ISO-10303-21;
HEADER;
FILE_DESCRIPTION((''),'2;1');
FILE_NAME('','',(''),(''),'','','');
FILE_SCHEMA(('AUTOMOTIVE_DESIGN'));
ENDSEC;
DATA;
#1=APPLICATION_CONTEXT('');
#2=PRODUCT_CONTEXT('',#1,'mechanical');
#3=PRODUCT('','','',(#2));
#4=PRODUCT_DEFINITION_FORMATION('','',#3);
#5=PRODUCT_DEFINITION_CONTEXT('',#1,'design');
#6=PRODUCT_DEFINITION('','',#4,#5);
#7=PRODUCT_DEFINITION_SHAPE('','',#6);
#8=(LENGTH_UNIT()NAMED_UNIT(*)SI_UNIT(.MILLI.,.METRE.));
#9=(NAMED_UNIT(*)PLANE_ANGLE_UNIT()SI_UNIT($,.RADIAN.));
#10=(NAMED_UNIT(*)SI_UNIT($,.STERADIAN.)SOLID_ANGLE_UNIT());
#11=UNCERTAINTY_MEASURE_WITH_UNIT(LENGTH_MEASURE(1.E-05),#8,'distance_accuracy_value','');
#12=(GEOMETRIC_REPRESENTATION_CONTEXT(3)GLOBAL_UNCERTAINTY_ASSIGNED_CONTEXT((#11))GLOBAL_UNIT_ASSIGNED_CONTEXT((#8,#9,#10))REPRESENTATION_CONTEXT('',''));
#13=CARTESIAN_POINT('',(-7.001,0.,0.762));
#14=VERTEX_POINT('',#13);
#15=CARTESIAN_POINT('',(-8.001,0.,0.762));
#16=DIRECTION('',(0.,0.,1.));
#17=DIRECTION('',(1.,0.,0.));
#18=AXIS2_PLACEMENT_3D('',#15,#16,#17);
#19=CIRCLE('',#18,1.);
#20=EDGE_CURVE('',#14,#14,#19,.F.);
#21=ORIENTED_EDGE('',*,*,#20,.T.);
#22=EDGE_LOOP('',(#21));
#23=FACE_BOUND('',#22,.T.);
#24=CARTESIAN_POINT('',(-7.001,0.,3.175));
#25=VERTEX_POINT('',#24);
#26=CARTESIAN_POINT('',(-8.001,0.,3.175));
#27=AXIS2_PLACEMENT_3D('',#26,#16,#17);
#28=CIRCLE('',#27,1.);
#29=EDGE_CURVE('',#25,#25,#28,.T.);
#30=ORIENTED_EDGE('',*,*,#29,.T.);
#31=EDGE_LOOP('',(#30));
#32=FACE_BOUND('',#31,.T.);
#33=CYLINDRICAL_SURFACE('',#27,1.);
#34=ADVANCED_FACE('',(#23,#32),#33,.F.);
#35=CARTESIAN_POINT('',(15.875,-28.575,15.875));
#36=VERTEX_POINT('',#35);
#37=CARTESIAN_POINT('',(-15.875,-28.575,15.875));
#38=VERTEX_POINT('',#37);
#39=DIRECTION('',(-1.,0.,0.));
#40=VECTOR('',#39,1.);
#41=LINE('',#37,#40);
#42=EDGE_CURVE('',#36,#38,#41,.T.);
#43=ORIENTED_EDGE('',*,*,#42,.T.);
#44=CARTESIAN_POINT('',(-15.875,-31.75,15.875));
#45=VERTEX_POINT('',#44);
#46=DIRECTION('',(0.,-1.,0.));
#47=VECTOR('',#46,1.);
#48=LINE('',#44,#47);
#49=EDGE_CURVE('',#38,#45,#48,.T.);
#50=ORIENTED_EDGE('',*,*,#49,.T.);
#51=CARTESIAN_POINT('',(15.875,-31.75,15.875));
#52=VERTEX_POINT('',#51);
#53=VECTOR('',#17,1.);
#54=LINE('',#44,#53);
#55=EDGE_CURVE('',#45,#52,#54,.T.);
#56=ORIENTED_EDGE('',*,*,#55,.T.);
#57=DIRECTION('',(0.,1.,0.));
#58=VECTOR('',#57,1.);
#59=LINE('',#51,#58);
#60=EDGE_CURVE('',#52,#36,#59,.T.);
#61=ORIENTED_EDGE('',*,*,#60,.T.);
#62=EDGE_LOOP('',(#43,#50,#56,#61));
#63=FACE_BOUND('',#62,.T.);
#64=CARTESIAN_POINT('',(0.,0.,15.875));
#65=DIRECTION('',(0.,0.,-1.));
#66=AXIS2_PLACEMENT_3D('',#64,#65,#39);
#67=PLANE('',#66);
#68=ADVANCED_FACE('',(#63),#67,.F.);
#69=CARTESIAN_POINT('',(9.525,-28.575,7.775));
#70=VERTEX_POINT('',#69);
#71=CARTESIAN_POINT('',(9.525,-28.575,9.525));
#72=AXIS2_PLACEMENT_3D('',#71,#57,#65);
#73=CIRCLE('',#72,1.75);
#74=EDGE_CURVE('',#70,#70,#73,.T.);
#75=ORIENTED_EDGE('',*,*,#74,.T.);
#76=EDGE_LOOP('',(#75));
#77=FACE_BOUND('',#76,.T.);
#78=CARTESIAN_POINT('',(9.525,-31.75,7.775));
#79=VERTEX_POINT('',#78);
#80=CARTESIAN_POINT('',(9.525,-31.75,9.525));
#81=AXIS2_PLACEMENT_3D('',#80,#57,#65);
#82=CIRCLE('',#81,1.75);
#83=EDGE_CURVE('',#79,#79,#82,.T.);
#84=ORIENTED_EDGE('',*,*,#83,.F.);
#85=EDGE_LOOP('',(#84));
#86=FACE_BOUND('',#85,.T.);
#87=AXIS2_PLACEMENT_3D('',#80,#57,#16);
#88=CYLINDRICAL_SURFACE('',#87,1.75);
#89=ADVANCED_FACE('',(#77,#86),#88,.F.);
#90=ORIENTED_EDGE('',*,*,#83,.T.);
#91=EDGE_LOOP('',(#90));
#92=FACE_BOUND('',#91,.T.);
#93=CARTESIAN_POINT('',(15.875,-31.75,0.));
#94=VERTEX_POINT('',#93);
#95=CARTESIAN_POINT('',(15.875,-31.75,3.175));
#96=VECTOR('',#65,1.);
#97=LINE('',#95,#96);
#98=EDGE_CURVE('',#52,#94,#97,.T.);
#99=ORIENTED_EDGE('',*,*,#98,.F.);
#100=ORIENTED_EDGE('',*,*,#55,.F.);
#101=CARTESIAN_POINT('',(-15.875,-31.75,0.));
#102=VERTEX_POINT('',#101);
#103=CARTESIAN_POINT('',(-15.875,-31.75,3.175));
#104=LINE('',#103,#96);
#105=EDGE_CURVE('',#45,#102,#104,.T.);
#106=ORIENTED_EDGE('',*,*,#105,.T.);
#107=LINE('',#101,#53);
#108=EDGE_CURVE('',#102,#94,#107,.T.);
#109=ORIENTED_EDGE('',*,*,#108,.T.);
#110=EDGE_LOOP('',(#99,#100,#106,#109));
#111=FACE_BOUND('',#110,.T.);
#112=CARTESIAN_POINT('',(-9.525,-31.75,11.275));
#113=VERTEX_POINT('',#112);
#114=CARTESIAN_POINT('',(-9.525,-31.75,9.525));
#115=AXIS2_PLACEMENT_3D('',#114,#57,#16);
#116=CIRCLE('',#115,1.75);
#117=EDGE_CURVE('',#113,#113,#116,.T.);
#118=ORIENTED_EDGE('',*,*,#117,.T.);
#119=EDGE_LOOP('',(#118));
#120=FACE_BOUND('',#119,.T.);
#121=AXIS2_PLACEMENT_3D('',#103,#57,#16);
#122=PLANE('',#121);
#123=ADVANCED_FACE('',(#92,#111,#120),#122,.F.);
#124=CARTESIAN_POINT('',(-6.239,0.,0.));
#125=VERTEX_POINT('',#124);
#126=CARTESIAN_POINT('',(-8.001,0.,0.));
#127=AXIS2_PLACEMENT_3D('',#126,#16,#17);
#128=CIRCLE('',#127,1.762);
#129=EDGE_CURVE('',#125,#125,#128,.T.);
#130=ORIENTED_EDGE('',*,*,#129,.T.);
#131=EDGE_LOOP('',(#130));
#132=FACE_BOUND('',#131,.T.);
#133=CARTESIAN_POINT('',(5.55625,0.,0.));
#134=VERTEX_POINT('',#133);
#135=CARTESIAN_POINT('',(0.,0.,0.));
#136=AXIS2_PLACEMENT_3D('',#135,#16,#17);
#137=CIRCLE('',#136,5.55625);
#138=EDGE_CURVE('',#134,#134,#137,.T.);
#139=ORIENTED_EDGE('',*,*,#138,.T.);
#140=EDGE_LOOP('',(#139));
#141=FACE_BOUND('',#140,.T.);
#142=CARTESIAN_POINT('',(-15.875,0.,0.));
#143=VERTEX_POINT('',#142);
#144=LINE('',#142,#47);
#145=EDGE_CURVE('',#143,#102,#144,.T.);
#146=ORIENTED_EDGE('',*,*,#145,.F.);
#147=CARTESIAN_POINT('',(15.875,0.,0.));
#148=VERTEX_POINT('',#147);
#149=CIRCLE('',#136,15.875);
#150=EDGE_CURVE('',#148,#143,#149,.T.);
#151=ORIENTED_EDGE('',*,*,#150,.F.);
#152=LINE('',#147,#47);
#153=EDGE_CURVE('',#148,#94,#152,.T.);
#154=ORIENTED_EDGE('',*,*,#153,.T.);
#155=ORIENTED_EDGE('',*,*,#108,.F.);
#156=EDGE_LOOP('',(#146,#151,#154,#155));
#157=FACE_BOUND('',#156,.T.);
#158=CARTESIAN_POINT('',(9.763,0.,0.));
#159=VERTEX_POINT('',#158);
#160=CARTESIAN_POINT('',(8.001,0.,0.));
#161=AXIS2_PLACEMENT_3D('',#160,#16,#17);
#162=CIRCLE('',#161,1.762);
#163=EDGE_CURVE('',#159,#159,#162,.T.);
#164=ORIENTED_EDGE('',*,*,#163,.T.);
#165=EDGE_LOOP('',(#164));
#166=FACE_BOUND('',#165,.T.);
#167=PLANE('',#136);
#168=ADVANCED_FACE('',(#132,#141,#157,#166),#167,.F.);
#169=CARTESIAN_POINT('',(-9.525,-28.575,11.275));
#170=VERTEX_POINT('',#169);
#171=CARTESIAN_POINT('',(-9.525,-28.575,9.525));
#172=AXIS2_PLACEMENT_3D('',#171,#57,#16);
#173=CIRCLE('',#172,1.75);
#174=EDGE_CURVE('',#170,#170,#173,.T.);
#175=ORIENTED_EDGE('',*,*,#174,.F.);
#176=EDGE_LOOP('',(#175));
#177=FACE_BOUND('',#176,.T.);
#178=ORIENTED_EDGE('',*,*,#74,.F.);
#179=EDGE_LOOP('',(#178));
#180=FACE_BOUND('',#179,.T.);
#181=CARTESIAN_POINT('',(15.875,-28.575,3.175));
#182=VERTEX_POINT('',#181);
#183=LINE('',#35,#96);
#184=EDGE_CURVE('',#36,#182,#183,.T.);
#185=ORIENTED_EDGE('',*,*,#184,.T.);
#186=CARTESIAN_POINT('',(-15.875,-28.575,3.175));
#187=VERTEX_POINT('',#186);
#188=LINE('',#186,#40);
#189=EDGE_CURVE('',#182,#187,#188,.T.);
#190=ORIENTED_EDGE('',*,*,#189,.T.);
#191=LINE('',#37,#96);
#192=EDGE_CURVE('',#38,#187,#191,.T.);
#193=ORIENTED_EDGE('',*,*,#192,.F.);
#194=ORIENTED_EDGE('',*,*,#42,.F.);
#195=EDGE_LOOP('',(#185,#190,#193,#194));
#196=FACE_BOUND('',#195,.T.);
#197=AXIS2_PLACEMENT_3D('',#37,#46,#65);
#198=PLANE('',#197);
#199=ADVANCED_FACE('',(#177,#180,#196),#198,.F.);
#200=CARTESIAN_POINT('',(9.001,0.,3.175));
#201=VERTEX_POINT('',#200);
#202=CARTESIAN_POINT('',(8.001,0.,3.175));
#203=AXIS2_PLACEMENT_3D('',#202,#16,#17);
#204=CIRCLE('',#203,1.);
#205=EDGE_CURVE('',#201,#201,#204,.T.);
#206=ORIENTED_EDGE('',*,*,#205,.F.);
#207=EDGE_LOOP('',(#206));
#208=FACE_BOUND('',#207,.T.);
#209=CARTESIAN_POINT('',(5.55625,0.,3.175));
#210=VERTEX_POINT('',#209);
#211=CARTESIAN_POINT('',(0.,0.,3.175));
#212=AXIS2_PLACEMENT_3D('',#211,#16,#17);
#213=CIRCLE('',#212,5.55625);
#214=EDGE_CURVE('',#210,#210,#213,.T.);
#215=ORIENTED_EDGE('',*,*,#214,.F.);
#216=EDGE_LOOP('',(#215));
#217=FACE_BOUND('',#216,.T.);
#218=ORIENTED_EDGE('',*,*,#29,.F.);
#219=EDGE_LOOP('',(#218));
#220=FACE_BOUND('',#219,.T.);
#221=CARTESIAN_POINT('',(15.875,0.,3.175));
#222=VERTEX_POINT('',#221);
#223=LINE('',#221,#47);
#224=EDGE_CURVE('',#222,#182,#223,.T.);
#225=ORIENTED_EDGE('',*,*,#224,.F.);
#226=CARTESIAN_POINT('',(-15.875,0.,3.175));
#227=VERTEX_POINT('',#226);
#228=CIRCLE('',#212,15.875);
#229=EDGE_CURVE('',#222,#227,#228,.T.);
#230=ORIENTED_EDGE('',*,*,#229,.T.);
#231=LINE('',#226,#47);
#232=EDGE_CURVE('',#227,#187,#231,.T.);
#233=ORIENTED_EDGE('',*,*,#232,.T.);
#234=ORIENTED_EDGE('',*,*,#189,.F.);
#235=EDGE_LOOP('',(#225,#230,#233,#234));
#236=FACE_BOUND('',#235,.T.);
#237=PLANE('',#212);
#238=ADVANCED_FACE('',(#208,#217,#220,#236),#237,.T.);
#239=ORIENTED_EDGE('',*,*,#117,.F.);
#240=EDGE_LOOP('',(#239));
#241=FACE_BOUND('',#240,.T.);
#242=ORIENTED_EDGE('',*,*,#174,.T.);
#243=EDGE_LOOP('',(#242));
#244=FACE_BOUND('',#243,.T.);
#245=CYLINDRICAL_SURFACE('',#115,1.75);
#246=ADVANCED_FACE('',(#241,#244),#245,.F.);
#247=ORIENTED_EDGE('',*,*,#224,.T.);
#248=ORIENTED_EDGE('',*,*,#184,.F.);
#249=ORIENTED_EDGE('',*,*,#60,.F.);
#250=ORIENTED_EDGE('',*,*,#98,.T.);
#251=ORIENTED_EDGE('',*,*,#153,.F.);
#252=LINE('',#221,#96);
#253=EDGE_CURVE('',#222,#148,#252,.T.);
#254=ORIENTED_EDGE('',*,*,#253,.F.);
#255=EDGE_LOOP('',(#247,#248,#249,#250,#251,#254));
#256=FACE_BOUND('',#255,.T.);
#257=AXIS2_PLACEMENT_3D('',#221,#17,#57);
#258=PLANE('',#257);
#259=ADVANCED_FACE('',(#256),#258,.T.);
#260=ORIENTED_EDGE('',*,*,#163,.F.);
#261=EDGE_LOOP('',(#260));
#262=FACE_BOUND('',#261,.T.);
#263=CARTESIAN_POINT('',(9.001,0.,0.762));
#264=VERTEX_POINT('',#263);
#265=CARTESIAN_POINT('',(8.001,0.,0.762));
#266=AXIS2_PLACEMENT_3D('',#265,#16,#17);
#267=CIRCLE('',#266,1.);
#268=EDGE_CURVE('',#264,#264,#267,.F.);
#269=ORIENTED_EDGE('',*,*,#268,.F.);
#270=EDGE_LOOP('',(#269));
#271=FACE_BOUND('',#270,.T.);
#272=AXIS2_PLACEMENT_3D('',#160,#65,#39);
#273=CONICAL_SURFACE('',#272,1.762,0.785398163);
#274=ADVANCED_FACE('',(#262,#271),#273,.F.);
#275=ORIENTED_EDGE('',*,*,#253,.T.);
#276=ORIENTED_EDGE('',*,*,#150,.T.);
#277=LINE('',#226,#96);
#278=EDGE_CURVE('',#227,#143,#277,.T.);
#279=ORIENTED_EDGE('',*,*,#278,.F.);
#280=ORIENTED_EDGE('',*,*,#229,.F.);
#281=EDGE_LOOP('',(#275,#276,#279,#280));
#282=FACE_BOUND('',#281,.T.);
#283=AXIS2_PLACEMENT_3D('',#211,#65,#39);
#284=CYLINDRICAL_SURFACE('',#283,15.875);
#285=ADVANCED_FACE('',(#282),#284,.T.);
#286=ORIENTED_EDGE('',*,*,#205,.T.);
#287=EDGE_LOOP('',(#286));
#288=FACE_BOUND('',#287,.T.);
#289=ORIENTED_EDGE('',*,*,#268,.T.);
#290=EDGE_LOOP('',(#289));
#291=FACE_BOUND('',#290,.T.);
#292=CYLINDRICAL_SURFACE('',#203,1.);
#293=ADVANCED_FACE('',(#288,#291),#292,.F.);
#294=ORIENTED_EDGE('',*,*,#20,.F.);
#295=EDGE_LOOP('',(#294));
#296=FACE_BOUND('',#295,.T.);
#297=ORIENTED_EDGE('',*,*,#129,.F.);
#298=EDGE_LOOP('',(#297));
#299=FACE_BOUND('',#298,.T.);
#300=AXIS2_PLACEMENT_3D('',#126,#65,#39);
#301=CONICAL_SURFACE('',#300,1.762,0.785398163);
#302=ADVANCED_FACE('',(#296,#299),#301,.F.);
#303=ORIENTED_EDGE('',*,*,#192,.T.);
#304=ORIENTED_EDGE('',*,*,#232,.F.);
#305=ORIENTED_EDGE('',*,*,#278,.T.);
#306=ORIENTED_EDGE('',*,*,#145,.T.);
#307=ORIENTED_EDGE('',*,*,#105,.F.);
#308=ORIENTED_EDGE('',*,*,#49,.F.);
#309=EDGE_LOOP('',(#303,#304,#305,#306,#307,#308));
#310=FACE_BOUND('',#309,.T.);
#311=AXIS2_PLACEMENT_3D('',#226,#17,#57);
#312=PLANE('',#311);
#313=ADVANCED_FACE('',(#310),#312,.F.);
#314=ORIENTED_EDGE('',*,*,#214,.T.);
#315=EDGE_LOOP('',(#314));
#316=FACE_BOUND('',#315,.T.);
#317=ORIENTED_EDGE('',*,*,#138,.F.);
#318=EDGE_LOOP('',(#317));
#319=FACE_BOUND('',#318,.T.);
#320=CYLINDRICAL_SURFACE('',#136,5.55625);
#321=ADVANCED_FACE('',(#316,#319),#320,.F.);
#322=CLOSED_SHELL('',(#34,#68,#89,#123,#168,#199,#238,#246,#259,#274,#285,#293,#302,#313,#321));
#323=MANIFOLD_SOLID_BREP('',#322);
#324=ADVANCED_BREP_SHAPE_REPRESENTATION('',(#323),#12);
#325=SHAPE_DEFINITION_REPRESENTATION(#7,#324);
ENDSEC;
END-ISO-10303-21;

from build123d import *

# Parameters (mm, degrees)
BOSS_EXTRUDE1_DEPTH       = 3.175
SKETCH3_R                 = 5.55625
CUT_EXTRUDE1_DEPTH        = 36.639286609
SKETCH4_W                 = 31.75
SKETCH4_H                 = 3.175
BOSS_EXTRUDE2_DEPTH       = 12.7
SKETCH5_R                 = 1.75
CUT_EXTRUDE2_DEPTH        = 50.797929174
F_2_0MM_DOWEL_HOLE1_D     = 2
F_2_0MM_DOWEL_HOLE1_DEPTH = 12.7
F_2_0MM_DOWEL_HOLE1_TIP   = 0.600860619
CHAMFER1_SIZE             = 0.762


with BuildPart() as part:
    # Sketch1 → Boss-Extrude1 (new body)
    with BuildSketch(Plane.XY):
        with BuildLine():
            ThreePointArc((15.875, 0), (0, 15.875), (-15.875, 0))
            Line((-15.875, 0), (15.875, 0))
        make_face()
        with BuildLine():
            ThreePointArc((15.875, 0), (0, -15.875), (-15.875, 0))
            Line((-15.875, 0), (-15.875, -31.75))
            Line((-15.875, -31.75), (15.875, -31.75))
            Line((15.875, -31.75), (15.875, 0))
        make_face()
        with BuildLine():
            Line((15.875, 0), (-15.875, 0))
            ThreePointArc((-15.875, 0), (0, -15.875), (15.875, 0))
        make_face()
    extrude(amount=BOSS_EXTRUDE1_DEPTH)

    # Sketch3 → Cut-Extrude1 (cut, through all)
    with BuildSketch(Plane.XY.offset(3.175)):
        Circle(SKETCH3_R)
    extrude(amount=-CUT_EXTRUDE1_DEPTH, mode=Mode.SUBTRACT)

    # Sketch4 → Boss-Extrude2 (add)
    with BuildSketch(Plane.XY.offset(3.175)):
        with Locations((0, -30.1625)):
            Rectangle(SKETCH4_W, SKETCH4_H)
    extrude(amount=BOSS_EXTRUDE2_DEPTH)

    # Sketch5 → Cut-Extrude2 (cut, through all)
    with BuildSketch(Plane(origin=(0, -28.575, 0), x_dir=(1, 0, 0), z_dir=(0, 1, 0))):
        with Locations(Location((-9.525, -9.525, 0), (0, 0, 270))):
            Circle(SKETCH5_R)
        with Locations(Location((9.525, -9.525, 0), (0, 0, 90))):
            Circle(SKETCH5_R)
    extrude(amount=-CUT_EXTRUDE2_DEPTH, mode=Mode.SUBTRACT)

    # Ø2.0mm Dowel Hole1
    with Locations(Plane.XY.offset(3.175)):
        with Locations((-8.001, 0), (8.001, 0)):
            Hole(F_2_0MM_DOWEL_HOLE1_D / 2, depth=F_2_0MM_DOWEL_HOLE1_DEPTH)
            with Locations((0, 0, -(F_2_0MM_DOWEL_HOLE1_DEPTH + F_2_0MM_DOWEL_HOLE1_TIP / 2))):  # 118° drill point
                Cone(0, F_2_0MM_DOWEL_HOLE1_D / 2, F_2_0MM_DOWEL_HOLE1_TIP, mode=Mode.SUBTRACT)

    # Chamfer1
    chamfer1_edges = [part.edges().sort_by_distance(p)[0] for p in [
        (9.001, 0, 0),
        (-7.001, 0, 0),
    ]]
    chamfer(chamfer1_edges, length=CHAMFER1_SIZE)


solid = part.part
